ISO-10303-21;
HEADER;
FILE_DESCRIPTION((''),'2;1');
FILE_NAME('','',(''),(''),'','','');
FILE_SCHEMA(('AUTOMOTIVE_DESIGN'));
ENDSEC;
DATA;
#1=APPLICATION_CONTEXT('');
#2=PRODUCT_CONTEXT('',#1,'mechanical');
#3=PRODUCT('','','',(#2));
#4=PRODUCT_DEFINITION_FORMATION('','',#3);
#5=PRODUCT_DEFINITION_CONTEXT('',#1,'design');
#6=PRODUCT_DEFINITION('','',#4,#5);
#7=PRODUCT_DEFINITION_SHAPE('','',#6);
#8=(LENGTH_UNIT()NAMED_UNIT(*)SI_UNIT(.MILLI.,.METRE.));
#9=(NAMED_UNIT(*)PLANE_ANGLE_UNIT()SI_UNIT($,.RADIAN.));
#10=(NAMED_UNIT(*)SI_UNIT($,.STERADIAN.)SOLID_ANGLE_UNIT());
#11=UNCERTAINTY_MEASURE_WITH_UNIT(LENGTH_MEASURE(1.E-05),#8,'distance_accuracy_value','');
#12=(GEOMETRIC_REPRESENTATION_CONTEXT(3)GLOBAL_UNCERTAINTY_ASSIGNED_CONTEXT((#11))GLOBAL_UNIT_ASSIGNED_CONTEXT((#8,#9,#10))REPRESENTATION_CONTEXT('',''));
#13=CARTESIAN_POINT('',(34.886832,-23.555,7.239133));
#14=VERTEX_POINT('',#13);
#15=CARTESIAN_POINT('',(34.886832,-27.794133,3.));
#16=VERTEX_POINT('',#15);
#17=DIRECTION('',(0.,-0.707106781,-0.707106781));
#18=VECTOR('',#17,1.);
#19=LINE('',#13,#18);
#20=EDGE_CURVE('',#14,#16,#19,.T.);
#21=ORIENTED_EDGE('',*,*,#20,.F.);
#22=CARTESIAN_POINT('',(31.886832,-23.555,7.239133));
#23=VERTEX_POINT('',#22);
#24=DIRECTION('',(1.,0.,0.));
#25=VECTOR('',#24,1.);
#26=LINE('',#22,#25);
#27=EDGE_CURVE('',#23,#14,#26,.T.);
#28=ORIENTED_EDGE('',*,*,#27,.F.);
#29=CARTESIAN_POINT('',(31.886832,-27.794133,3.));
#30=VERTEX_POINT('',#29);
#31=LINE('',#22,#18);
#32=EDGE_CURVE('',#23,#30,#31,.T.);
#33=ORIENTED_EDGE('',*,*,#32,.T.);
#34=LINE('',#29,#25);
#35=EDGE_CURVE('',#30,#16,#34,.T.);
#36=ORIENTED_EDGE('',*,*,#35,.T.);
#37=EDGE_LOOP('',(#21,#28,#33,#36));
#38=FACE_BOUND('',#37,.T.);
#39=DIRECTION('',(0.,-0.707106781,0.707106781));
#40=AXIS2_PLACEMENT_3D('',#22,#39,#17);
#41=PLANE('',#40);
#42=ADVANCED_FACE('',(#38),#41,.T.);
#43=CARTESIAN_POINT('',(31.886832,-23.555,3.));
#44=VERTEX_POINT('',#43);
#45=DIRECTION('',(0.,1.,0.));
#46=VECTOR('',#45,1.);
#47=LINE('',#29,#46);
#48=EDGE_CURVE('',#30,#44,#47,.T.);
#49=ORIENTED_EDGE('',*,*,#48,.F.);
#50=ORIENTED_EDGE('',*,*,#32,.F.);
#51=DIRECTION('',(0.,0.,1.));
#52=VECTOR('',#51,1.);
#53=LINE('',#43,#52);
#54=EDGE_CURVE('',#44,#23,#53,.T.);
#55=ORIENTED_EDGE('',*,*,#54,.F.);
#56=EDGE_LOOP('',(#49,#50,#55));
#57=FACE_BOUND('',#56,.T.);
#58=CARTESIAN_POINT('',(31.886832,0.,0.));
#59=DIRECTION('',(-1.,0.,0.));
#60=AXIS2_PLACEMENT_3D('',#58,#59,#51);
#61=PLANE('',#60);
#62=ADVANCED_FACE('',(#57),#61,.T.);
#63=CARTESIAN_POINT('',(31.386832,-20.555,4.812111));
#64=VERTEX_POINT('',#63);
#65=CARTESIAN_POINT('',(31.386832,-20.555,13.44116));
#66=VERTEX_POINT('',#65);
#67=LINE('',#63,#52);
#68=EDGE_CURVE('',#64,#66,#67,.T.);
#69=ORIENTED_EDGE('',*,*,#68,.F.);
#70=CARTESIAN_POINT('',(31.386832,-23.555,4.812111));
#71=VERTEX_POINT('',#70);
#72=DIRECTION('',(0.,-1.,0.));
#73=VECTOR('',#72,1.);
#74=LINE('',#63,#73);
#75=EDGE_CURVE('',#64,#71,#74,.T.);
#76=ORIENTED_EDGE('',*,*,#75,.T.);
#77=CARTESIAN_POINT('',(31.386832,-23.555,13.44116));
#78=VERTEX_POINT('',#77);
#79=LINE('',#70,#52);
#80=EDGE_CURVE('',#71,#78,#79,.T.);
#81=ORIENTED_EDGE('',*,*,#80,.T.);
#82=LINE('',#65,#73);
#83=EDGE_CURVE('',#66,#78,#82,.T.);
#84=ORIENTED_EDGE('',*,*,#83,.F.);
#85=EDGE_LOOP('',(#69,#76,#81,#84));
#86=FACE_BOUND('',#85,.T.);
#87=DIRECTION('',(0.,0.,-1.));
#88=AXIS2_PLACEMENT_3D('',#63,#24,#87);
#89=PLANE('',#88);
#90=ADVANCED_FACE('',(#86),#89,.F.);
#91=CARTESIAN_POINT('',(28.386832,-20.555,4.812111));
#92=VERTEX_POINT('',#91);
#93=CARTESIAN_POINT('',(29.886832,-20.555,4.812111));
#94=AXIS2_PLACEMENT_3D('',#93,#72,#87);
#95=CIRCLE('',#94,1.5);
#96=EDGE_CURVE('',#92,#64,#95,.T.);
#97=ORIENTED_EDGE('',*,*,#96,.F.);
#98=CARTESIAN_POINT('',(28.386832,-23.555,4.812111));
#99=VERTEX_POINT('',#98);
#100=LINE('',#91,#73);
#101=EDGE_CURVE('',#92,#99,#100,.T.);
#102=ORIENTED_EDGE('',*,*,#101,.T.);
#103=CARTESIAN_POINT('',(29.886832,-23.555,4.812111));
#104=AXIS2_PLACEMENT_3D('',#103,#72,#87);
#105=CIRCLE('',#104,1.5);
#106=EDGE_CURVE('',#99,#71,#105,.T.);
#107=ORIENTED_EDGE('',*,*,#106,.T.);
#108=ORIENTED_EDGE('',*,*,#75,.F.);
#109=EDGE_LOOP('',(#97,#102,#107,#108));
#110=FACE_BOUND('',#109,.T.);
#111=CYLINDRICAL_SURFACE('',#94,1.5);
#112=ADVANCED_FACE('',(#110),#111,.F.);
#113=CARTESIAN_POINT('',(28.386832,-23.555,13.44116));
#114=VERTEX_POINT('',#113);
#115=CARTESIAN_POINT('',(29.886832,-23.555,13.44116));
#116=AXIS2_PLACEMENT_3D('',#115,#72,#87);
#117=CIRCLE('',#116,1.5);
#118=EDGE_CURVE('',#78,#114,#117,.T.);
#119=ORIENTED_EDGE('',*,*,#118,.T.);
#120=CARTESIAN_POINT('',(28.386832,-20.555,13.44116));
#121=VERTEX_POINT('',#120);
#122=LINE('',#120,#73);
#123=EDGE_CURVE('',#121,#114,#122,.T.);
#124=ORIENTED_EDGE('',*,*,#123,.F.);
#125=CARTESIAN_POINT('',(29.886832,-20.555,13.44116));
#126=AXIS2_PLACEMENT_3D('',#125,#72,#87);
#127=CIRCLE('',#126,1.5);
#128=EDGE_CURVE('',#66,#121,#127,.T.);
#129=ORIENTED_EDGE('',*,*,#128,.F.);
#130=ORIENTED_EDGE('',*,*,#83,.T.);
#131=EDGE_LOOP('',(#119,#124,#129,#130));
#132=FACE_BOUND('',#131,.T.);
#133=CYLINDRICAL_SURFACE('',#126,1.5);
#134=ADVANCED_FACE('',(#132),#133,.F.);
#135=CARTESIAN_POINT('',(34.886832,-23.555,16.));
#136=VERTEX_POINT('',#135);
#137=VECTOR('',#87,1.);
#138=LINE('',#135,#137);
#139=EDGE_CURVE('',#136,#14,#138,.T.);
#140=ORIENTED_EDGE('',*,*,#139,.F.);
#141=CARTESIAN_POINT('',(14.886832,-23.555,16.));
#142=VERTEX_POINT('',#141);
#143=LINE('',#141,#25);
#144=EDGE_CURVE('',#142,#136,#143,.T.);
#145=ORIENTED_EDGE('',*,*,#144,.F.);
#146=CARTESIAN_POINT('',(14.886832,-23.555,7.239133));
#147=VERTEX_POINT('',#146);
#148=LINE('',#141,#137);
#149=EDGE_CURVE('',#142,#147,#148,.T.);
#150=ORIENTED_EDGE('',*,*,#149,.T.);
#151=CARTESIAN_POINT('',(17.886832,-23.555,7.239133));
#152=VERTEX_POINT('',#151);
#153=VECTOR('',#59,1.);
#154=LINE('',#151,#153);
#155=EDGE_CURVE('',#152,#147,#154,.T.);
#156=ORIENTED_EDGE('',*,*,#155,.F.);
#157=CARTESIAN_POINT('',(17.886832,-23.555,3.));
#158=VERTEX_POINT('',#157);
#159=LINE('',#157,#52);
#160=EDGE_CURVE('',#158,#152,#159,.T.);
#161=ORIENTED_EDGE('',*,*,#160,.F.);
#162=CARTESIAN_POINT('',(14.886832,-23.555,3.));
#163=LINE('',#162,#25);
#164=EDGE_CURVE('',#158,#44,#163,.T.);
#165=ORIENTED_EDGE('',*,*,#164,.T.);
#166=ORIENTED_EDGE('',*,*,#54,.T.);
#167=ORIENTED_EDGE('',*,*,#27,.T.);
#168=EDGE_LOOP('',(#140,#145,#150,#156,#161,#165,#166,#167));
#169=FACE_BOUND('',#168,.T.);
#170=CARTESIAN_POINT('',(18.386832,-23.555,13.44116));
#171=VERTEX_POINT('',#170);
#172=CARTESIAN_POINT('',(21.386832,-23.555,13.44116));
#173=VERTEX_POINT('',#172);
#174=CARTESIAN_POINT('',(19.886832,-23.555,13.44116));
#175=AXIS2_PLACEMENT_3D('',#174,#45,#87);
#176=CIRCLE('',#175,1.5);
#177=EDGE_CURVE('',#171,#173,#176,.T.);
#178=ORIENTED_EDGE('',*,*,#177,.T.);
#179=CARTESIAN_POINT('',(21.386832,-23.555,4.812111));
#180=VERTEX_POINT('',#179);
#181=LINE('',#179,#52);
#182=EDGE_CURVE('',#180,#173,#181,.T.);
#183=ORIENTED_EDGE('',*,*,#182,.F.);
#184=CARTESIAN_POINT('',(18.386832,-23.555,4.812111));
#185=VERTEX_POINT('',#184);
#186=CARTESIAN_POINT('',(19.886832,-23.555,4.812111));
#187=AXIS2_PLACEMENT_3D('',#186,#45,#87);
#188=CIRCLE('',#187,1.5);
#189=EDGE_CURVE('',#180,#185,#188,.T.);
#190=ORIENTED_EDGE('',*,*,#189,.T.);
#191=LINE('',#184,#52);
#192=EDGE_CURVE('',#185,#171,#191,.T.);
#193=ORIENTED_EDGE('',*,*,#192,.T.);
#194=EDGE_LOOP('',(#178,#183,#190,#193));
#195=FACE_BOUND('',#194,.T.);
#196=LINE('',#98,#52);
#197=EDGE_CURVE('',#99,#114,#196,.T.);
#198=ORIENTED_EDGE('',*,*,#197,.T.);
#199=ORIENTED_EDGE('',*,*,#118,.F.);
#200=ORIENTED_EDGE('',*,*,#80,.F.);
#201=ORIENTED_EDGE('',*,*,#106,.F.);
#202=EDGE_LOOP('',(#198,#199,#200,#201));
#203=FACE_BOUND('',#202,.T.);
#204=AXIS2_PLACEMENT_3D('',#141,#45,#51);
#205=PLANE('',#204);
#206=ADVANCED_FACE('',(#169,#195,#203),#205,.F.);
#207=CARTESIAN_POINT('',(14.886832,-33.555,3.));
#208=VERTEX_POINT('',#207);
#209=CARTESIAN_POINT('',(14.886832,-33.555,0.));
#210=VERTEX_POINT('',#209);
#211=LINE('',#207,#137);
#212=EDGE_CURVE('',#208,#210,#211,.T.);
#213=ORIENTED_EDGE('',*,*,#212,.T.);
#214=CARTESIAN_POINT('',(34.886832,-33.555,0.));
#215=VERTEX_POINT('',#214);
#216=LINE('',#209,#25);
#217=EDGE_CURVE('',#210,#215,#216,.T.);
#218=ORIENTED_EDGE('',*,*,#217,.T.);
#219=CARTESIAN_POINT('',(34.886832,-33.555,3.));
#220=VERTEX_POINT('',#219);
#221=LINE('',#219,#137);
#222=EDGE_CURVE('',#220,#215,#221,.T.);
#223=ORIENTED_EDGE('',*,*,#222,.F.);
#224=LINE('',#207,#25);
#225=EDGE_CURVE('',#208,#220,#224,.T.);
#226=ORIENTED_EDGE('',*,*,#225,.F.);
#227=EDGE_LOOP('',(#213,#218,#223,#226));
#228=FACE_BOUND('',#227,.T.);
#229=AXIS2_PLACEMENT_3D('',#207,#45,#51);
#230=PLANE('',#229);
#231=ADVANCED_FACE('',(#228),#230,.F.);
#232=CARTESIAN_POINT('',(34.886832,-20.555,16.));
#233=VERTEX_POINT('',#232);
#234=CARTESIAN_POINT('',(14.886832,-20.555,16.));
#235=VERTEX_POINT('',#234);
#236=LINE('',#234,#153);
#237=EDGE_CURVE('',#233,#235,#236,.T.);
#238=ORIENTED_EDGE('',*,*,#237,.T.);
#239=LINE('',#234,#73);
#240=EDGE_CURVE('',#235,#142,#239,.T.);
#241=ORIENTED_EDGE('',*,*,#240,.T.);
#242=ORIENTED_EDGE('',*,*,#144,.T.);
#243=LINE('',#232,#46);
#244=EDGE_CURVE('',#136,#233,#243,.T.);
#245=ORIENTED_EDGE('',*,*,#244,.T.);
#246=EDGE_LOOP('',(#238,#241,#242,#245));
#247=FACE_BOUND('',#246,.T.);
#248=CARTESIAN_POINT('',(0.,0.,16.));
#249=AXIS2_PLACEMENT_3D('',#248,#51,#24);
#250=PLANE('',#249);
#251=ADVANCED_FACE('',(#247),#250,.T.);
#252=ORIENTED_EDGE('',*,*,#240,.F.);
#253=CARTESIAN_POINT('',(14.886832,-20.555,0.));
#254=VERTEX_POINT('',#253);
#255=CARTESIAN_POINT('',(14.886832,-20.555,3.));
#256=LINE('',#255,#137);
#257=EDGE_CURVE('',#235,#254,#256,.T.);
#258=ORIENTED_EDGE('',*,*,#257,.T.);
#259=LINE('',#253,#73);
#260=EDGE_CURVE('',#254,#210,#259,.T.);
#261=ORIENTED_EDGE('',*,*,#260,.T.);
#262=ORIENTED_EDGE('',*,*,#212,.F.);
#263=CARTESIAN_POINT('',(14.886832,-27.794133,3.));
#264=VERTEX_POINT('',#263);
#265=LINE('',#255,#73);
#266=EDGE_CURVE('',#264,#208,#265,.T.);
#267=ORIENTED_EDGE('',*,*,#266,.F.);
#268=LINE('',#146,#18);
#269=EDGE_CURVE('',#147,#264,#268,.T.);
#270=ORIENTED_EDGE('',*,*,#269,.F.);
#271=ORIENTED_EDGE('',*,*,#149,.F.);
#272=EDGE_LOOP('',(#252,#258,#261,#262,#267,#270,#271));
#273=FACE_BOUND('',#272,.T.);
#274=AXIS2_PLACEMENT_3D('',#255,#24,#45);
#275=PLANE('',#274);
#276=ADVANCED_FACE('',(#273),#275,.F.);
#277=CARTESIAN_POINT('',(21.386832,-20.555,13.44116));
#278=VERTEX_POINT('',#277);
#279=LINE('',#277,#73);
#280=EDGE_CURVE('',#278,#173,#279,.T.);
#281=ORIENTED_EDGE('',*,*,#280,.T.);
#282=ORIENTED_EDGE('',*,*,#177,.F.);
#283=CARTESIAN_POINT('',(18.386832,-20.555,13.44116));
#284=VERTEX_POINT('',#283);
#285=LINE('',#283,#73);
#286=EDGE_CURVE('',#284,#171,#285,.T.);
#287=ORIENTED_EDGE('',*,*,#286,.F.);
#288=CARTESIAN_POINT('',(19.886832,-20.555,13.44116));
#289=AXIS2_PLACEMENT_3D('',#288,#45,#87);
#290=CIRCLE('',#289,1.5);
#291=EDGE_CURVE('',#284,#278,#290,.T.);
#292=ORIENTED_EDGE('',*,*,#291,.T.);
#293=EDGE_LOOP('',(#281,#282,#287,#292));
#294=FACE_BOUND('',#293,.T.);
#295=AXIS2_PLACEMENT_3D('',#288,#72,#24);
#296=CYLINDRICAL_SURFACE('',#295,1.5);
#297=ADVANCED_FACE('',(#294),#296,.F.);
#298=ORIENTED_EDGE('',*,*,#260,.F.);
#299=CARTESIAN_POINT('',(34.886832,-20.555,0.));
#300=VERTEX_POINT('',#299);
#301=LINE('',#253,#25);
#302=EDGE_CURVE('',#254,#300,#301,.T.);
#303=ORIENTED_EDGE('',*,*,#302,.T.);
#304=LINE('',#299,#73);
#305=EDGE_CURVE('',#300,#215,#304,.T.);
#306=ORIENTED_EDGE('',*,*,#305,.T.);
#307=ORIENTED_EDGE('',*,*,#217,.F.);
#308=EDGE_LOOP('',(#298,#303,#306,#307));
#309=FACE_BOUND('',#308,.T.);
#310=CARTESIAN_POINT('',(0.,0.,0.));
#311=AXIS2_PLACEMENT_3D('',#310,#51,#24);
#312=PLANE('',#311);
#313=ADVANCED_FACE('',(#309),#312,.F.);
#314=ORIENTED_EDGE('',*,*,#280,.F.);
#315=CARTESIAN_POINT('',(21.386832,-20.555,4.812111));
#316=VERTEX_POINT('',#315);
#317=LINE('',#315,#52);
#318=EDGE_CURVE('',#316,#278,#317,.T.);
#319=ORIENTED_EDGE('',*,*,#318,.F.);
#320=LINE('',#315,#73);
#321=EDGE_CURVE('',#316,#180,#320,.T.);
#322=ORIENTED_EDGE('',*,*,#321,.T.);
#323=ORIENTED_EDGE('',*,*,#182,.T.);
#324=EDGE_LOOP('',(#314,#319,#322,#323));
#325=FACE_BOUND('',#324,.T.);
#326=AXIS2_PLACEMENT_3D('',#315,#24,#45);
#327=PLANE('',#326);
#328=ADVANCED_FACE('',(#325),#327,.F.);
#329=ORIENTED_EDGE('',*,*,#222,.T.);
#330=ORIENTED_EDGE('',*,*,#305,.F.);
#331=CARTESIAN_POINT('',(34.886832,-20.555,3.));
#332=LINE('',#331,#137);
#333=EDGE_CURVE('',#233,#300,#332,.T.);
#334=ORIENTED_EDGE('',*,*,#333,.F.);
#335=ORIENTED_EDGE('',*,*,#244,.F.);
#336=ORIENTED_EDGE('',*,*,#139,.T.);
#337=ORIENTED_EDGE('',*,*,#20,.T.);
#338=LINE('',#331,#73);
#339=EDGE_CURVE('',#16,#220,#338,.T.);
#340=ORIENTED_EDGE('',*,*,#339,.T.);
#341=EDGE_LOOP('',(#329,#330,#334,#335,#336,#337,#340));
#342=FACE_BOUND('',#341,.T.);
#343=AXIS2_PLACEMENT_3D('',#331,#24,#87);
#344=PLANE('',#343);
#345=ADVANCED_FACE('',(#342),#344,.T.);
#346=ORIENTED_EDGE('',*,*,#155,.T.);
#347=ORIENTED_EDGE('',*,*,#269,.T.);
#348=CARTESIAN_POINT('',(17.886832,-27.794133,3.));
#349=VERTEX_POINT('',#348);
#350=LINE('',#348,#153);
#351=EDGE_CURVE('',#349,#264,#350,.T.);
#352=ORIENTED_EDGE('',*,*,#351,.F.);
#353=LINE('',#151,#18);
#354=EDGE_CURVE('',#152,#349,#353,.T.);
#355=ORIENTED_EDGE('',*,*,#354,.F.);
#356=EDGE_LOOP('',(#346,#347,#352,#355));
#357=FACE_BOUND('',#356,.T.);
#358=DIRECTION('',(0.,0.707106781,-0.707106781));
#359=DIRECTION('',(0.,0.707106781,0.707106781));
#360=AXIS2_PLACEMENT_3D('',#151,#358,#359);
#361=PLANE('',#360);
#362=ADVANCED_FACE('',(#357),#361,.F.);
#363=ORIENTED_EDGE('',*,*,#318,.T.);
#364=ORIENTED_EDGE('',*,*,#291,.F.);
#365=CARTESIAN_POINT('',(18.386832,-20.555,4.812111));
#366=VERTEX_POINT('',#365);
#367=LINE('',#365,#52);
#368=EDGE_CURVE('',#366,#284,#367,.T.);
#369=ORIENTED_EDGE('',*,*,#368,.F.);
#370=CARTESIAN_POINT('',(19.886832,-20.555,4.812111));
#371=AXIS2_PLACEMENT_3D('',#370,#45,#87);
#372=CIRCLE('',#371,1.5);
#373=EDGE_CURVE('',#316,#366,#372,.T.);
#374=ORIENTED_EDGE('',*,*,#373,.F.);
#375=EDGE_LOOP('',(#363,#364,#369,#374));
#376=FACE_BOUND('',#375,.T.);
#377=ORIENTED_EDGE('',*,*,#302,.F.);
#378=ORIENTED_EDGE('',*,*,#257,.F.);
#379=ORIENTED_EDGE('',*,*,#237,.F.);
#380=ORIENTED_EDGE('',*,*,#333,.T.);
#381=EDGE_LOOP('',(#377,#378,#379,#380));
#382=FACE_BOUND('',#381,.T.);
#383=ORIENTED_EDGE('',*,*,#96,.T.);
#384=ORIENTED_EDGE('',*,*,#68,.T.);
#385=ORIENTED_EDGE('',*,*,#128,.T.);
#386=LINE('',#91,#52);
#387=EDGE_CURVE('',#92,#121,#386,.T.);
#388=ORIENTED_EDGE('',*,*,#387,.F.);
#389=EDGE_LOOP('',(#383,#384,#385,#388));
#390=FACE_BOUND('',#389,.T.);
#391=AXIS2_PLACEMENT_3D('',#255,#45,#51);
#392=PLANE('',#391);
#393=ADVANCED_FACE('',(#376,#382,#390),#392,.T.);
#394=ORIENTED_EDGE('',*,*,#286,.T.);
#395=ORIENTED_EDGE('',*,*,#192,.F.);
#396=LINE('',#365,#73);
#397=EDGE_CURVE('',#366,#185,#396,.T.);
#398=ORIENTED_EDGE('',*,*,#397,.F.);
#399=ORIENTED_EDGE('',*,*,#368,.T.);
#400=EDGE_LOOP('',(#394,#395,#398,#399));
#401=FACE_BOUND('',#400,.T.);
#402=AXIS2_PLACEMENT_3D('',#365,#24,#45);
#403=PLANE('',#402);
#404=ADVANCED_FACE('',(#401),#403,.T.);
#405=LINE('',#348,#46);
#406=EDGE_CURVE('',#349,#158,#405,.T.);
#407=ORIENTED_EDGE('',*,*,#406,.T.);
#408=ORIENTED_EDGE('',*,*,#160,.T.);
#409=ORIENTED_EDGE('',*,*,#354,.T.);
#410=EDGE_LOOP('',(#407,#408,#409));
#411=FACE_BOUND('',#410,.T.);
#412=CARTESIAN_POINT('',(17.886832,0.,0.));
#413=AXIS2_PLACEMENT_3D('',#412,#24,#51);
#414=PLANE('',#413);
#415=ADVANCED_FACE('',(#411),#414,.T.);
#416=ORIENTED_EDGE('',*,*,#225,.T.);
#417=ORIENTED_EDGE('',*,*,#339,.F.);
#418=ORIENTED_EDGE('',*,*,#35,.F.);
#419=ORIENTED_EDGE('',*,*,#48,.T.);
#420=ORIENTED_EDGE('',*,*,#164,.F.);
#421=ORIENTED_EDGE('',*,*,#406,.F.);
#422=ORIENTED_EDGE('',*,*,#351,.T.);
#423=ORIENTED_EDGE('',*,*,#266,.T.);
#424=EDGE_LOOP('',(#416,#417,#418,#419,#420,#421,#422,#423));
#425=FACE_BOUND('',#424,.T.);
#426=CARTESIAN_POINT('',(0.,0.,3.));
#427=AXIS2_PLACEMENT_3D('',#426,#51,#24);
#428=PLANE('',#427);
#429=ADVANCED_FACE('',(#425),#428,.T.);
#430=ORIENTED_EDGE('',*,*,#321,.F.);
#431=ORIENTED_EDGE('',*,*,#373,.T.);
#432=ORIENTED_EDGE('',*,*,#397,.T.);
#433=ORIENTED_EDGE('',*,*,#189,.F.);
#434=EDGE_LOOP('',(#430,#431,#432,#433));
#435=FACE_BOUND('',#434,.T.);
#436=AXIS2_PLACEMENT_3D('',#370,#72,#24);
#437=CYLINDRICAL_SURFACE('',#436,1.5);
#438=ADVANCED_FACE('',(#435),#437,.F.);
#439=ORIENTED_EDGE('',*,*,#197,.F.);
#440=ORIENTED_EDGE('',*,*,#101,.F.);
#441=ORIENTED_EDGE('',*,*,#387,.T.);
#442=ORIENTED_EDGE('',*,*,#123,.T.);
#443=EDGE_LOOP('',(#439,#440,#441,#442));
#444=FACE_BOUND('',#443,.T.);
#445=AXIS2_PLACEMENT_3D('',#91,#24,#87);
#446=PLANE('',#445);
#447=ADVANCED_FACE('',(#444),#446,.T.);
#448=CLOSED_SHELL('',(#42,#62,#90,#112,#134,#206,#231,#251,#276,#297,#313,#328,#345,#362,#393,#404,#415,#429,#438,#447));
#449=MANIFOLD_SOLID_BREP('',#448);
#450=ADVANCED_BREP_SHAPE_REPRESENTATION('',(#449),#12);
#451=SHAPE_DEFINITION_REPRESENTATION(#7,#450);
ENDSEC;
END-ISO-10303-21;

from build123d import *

# Parameters (mm, degrees)
SKETCH1_W           = 20
SKETCH1_H           = 13
BOSS_EXTRUDE1_DEPTH = 3
SKETCH2_W           = 20
SKETCH2_H           = 3
BOSS_EXTRUDE2_DEPTH = 13
BOSS_EXTRUDE3_DEPTH = 3
CUT_EXTRUDE1_DEPTH  = 40.66221139


with BuildPart() as part:
    # Sketch1 → Boss-Extrude1 (new body)
    with BuildSketch(Plane.XY):
        with Locations((24.886831503, -27.055)):
            Rectangle(SKETCH1_W, SKETCH1_H)
    extrude(amount=BOSS_EXTRUDE1_DEPTH)

    # Sketch2 → Boss-Extrude2 (add)
    with BuildSketch(Plane.XY.offset(3)):
        with Locations((24.886831503, -22.055)):
            Rectangle(SKETCH2_W, SKETCH2_H)
    extrude(amount=BOSS_EXTRUDE2_DEPTH)

    # Sketch3 → Boss-Extrude3 (add)
    with BuildSketch(Plane(origin=(34.886831503, 0, 0), x_dir=(0, 0, -1), z_dir=(1, 0, 0))):
        Polygon((-7.239132511, -23.555), (-3, -27.79413251), (-3, -23.554999999), align=None)
    boss_extrude3 = extrude(amount=-BOSS_EXTRUDE3_DEPTH)

    # Sketch4 → Cut-Extrude1 (cut, through all)
    with BuildSketch(Plane.XZ.offset(23.555)):
        with BuildLine():
            Line((28.386831503, 4.812110779), (28.386831503, 13.441160462))
            ThreePointArc((28.386831503, 13.441160462), (29.886831503, 14.941160462), (31.386831503, 13.441160462))
            Line((31.386831503, 13.441160462), (31.386831503, 4.812110779))
            ThreePointArc((31.386831503, 4.812110779), (29.886831503, 3.312110779), (28.386831503, 4.812110779))
        make_face()
    cut_extrude1 = extrude(amount=-CUT_EXTRUDE1_DEPTH, mode=Mode.SUBTRACT)

    # Mirror1: Boss-Extrude3, Cut-Extrude1 across plane
    add(boss_extrude3.mirror(Plane.ZY.offset(-24.886831503)))
    add(cut_extrude1.mirror(Plane.ZY.offset(-24.886831503)), mode=Mode.SUBTRACT)


solid = part.part
